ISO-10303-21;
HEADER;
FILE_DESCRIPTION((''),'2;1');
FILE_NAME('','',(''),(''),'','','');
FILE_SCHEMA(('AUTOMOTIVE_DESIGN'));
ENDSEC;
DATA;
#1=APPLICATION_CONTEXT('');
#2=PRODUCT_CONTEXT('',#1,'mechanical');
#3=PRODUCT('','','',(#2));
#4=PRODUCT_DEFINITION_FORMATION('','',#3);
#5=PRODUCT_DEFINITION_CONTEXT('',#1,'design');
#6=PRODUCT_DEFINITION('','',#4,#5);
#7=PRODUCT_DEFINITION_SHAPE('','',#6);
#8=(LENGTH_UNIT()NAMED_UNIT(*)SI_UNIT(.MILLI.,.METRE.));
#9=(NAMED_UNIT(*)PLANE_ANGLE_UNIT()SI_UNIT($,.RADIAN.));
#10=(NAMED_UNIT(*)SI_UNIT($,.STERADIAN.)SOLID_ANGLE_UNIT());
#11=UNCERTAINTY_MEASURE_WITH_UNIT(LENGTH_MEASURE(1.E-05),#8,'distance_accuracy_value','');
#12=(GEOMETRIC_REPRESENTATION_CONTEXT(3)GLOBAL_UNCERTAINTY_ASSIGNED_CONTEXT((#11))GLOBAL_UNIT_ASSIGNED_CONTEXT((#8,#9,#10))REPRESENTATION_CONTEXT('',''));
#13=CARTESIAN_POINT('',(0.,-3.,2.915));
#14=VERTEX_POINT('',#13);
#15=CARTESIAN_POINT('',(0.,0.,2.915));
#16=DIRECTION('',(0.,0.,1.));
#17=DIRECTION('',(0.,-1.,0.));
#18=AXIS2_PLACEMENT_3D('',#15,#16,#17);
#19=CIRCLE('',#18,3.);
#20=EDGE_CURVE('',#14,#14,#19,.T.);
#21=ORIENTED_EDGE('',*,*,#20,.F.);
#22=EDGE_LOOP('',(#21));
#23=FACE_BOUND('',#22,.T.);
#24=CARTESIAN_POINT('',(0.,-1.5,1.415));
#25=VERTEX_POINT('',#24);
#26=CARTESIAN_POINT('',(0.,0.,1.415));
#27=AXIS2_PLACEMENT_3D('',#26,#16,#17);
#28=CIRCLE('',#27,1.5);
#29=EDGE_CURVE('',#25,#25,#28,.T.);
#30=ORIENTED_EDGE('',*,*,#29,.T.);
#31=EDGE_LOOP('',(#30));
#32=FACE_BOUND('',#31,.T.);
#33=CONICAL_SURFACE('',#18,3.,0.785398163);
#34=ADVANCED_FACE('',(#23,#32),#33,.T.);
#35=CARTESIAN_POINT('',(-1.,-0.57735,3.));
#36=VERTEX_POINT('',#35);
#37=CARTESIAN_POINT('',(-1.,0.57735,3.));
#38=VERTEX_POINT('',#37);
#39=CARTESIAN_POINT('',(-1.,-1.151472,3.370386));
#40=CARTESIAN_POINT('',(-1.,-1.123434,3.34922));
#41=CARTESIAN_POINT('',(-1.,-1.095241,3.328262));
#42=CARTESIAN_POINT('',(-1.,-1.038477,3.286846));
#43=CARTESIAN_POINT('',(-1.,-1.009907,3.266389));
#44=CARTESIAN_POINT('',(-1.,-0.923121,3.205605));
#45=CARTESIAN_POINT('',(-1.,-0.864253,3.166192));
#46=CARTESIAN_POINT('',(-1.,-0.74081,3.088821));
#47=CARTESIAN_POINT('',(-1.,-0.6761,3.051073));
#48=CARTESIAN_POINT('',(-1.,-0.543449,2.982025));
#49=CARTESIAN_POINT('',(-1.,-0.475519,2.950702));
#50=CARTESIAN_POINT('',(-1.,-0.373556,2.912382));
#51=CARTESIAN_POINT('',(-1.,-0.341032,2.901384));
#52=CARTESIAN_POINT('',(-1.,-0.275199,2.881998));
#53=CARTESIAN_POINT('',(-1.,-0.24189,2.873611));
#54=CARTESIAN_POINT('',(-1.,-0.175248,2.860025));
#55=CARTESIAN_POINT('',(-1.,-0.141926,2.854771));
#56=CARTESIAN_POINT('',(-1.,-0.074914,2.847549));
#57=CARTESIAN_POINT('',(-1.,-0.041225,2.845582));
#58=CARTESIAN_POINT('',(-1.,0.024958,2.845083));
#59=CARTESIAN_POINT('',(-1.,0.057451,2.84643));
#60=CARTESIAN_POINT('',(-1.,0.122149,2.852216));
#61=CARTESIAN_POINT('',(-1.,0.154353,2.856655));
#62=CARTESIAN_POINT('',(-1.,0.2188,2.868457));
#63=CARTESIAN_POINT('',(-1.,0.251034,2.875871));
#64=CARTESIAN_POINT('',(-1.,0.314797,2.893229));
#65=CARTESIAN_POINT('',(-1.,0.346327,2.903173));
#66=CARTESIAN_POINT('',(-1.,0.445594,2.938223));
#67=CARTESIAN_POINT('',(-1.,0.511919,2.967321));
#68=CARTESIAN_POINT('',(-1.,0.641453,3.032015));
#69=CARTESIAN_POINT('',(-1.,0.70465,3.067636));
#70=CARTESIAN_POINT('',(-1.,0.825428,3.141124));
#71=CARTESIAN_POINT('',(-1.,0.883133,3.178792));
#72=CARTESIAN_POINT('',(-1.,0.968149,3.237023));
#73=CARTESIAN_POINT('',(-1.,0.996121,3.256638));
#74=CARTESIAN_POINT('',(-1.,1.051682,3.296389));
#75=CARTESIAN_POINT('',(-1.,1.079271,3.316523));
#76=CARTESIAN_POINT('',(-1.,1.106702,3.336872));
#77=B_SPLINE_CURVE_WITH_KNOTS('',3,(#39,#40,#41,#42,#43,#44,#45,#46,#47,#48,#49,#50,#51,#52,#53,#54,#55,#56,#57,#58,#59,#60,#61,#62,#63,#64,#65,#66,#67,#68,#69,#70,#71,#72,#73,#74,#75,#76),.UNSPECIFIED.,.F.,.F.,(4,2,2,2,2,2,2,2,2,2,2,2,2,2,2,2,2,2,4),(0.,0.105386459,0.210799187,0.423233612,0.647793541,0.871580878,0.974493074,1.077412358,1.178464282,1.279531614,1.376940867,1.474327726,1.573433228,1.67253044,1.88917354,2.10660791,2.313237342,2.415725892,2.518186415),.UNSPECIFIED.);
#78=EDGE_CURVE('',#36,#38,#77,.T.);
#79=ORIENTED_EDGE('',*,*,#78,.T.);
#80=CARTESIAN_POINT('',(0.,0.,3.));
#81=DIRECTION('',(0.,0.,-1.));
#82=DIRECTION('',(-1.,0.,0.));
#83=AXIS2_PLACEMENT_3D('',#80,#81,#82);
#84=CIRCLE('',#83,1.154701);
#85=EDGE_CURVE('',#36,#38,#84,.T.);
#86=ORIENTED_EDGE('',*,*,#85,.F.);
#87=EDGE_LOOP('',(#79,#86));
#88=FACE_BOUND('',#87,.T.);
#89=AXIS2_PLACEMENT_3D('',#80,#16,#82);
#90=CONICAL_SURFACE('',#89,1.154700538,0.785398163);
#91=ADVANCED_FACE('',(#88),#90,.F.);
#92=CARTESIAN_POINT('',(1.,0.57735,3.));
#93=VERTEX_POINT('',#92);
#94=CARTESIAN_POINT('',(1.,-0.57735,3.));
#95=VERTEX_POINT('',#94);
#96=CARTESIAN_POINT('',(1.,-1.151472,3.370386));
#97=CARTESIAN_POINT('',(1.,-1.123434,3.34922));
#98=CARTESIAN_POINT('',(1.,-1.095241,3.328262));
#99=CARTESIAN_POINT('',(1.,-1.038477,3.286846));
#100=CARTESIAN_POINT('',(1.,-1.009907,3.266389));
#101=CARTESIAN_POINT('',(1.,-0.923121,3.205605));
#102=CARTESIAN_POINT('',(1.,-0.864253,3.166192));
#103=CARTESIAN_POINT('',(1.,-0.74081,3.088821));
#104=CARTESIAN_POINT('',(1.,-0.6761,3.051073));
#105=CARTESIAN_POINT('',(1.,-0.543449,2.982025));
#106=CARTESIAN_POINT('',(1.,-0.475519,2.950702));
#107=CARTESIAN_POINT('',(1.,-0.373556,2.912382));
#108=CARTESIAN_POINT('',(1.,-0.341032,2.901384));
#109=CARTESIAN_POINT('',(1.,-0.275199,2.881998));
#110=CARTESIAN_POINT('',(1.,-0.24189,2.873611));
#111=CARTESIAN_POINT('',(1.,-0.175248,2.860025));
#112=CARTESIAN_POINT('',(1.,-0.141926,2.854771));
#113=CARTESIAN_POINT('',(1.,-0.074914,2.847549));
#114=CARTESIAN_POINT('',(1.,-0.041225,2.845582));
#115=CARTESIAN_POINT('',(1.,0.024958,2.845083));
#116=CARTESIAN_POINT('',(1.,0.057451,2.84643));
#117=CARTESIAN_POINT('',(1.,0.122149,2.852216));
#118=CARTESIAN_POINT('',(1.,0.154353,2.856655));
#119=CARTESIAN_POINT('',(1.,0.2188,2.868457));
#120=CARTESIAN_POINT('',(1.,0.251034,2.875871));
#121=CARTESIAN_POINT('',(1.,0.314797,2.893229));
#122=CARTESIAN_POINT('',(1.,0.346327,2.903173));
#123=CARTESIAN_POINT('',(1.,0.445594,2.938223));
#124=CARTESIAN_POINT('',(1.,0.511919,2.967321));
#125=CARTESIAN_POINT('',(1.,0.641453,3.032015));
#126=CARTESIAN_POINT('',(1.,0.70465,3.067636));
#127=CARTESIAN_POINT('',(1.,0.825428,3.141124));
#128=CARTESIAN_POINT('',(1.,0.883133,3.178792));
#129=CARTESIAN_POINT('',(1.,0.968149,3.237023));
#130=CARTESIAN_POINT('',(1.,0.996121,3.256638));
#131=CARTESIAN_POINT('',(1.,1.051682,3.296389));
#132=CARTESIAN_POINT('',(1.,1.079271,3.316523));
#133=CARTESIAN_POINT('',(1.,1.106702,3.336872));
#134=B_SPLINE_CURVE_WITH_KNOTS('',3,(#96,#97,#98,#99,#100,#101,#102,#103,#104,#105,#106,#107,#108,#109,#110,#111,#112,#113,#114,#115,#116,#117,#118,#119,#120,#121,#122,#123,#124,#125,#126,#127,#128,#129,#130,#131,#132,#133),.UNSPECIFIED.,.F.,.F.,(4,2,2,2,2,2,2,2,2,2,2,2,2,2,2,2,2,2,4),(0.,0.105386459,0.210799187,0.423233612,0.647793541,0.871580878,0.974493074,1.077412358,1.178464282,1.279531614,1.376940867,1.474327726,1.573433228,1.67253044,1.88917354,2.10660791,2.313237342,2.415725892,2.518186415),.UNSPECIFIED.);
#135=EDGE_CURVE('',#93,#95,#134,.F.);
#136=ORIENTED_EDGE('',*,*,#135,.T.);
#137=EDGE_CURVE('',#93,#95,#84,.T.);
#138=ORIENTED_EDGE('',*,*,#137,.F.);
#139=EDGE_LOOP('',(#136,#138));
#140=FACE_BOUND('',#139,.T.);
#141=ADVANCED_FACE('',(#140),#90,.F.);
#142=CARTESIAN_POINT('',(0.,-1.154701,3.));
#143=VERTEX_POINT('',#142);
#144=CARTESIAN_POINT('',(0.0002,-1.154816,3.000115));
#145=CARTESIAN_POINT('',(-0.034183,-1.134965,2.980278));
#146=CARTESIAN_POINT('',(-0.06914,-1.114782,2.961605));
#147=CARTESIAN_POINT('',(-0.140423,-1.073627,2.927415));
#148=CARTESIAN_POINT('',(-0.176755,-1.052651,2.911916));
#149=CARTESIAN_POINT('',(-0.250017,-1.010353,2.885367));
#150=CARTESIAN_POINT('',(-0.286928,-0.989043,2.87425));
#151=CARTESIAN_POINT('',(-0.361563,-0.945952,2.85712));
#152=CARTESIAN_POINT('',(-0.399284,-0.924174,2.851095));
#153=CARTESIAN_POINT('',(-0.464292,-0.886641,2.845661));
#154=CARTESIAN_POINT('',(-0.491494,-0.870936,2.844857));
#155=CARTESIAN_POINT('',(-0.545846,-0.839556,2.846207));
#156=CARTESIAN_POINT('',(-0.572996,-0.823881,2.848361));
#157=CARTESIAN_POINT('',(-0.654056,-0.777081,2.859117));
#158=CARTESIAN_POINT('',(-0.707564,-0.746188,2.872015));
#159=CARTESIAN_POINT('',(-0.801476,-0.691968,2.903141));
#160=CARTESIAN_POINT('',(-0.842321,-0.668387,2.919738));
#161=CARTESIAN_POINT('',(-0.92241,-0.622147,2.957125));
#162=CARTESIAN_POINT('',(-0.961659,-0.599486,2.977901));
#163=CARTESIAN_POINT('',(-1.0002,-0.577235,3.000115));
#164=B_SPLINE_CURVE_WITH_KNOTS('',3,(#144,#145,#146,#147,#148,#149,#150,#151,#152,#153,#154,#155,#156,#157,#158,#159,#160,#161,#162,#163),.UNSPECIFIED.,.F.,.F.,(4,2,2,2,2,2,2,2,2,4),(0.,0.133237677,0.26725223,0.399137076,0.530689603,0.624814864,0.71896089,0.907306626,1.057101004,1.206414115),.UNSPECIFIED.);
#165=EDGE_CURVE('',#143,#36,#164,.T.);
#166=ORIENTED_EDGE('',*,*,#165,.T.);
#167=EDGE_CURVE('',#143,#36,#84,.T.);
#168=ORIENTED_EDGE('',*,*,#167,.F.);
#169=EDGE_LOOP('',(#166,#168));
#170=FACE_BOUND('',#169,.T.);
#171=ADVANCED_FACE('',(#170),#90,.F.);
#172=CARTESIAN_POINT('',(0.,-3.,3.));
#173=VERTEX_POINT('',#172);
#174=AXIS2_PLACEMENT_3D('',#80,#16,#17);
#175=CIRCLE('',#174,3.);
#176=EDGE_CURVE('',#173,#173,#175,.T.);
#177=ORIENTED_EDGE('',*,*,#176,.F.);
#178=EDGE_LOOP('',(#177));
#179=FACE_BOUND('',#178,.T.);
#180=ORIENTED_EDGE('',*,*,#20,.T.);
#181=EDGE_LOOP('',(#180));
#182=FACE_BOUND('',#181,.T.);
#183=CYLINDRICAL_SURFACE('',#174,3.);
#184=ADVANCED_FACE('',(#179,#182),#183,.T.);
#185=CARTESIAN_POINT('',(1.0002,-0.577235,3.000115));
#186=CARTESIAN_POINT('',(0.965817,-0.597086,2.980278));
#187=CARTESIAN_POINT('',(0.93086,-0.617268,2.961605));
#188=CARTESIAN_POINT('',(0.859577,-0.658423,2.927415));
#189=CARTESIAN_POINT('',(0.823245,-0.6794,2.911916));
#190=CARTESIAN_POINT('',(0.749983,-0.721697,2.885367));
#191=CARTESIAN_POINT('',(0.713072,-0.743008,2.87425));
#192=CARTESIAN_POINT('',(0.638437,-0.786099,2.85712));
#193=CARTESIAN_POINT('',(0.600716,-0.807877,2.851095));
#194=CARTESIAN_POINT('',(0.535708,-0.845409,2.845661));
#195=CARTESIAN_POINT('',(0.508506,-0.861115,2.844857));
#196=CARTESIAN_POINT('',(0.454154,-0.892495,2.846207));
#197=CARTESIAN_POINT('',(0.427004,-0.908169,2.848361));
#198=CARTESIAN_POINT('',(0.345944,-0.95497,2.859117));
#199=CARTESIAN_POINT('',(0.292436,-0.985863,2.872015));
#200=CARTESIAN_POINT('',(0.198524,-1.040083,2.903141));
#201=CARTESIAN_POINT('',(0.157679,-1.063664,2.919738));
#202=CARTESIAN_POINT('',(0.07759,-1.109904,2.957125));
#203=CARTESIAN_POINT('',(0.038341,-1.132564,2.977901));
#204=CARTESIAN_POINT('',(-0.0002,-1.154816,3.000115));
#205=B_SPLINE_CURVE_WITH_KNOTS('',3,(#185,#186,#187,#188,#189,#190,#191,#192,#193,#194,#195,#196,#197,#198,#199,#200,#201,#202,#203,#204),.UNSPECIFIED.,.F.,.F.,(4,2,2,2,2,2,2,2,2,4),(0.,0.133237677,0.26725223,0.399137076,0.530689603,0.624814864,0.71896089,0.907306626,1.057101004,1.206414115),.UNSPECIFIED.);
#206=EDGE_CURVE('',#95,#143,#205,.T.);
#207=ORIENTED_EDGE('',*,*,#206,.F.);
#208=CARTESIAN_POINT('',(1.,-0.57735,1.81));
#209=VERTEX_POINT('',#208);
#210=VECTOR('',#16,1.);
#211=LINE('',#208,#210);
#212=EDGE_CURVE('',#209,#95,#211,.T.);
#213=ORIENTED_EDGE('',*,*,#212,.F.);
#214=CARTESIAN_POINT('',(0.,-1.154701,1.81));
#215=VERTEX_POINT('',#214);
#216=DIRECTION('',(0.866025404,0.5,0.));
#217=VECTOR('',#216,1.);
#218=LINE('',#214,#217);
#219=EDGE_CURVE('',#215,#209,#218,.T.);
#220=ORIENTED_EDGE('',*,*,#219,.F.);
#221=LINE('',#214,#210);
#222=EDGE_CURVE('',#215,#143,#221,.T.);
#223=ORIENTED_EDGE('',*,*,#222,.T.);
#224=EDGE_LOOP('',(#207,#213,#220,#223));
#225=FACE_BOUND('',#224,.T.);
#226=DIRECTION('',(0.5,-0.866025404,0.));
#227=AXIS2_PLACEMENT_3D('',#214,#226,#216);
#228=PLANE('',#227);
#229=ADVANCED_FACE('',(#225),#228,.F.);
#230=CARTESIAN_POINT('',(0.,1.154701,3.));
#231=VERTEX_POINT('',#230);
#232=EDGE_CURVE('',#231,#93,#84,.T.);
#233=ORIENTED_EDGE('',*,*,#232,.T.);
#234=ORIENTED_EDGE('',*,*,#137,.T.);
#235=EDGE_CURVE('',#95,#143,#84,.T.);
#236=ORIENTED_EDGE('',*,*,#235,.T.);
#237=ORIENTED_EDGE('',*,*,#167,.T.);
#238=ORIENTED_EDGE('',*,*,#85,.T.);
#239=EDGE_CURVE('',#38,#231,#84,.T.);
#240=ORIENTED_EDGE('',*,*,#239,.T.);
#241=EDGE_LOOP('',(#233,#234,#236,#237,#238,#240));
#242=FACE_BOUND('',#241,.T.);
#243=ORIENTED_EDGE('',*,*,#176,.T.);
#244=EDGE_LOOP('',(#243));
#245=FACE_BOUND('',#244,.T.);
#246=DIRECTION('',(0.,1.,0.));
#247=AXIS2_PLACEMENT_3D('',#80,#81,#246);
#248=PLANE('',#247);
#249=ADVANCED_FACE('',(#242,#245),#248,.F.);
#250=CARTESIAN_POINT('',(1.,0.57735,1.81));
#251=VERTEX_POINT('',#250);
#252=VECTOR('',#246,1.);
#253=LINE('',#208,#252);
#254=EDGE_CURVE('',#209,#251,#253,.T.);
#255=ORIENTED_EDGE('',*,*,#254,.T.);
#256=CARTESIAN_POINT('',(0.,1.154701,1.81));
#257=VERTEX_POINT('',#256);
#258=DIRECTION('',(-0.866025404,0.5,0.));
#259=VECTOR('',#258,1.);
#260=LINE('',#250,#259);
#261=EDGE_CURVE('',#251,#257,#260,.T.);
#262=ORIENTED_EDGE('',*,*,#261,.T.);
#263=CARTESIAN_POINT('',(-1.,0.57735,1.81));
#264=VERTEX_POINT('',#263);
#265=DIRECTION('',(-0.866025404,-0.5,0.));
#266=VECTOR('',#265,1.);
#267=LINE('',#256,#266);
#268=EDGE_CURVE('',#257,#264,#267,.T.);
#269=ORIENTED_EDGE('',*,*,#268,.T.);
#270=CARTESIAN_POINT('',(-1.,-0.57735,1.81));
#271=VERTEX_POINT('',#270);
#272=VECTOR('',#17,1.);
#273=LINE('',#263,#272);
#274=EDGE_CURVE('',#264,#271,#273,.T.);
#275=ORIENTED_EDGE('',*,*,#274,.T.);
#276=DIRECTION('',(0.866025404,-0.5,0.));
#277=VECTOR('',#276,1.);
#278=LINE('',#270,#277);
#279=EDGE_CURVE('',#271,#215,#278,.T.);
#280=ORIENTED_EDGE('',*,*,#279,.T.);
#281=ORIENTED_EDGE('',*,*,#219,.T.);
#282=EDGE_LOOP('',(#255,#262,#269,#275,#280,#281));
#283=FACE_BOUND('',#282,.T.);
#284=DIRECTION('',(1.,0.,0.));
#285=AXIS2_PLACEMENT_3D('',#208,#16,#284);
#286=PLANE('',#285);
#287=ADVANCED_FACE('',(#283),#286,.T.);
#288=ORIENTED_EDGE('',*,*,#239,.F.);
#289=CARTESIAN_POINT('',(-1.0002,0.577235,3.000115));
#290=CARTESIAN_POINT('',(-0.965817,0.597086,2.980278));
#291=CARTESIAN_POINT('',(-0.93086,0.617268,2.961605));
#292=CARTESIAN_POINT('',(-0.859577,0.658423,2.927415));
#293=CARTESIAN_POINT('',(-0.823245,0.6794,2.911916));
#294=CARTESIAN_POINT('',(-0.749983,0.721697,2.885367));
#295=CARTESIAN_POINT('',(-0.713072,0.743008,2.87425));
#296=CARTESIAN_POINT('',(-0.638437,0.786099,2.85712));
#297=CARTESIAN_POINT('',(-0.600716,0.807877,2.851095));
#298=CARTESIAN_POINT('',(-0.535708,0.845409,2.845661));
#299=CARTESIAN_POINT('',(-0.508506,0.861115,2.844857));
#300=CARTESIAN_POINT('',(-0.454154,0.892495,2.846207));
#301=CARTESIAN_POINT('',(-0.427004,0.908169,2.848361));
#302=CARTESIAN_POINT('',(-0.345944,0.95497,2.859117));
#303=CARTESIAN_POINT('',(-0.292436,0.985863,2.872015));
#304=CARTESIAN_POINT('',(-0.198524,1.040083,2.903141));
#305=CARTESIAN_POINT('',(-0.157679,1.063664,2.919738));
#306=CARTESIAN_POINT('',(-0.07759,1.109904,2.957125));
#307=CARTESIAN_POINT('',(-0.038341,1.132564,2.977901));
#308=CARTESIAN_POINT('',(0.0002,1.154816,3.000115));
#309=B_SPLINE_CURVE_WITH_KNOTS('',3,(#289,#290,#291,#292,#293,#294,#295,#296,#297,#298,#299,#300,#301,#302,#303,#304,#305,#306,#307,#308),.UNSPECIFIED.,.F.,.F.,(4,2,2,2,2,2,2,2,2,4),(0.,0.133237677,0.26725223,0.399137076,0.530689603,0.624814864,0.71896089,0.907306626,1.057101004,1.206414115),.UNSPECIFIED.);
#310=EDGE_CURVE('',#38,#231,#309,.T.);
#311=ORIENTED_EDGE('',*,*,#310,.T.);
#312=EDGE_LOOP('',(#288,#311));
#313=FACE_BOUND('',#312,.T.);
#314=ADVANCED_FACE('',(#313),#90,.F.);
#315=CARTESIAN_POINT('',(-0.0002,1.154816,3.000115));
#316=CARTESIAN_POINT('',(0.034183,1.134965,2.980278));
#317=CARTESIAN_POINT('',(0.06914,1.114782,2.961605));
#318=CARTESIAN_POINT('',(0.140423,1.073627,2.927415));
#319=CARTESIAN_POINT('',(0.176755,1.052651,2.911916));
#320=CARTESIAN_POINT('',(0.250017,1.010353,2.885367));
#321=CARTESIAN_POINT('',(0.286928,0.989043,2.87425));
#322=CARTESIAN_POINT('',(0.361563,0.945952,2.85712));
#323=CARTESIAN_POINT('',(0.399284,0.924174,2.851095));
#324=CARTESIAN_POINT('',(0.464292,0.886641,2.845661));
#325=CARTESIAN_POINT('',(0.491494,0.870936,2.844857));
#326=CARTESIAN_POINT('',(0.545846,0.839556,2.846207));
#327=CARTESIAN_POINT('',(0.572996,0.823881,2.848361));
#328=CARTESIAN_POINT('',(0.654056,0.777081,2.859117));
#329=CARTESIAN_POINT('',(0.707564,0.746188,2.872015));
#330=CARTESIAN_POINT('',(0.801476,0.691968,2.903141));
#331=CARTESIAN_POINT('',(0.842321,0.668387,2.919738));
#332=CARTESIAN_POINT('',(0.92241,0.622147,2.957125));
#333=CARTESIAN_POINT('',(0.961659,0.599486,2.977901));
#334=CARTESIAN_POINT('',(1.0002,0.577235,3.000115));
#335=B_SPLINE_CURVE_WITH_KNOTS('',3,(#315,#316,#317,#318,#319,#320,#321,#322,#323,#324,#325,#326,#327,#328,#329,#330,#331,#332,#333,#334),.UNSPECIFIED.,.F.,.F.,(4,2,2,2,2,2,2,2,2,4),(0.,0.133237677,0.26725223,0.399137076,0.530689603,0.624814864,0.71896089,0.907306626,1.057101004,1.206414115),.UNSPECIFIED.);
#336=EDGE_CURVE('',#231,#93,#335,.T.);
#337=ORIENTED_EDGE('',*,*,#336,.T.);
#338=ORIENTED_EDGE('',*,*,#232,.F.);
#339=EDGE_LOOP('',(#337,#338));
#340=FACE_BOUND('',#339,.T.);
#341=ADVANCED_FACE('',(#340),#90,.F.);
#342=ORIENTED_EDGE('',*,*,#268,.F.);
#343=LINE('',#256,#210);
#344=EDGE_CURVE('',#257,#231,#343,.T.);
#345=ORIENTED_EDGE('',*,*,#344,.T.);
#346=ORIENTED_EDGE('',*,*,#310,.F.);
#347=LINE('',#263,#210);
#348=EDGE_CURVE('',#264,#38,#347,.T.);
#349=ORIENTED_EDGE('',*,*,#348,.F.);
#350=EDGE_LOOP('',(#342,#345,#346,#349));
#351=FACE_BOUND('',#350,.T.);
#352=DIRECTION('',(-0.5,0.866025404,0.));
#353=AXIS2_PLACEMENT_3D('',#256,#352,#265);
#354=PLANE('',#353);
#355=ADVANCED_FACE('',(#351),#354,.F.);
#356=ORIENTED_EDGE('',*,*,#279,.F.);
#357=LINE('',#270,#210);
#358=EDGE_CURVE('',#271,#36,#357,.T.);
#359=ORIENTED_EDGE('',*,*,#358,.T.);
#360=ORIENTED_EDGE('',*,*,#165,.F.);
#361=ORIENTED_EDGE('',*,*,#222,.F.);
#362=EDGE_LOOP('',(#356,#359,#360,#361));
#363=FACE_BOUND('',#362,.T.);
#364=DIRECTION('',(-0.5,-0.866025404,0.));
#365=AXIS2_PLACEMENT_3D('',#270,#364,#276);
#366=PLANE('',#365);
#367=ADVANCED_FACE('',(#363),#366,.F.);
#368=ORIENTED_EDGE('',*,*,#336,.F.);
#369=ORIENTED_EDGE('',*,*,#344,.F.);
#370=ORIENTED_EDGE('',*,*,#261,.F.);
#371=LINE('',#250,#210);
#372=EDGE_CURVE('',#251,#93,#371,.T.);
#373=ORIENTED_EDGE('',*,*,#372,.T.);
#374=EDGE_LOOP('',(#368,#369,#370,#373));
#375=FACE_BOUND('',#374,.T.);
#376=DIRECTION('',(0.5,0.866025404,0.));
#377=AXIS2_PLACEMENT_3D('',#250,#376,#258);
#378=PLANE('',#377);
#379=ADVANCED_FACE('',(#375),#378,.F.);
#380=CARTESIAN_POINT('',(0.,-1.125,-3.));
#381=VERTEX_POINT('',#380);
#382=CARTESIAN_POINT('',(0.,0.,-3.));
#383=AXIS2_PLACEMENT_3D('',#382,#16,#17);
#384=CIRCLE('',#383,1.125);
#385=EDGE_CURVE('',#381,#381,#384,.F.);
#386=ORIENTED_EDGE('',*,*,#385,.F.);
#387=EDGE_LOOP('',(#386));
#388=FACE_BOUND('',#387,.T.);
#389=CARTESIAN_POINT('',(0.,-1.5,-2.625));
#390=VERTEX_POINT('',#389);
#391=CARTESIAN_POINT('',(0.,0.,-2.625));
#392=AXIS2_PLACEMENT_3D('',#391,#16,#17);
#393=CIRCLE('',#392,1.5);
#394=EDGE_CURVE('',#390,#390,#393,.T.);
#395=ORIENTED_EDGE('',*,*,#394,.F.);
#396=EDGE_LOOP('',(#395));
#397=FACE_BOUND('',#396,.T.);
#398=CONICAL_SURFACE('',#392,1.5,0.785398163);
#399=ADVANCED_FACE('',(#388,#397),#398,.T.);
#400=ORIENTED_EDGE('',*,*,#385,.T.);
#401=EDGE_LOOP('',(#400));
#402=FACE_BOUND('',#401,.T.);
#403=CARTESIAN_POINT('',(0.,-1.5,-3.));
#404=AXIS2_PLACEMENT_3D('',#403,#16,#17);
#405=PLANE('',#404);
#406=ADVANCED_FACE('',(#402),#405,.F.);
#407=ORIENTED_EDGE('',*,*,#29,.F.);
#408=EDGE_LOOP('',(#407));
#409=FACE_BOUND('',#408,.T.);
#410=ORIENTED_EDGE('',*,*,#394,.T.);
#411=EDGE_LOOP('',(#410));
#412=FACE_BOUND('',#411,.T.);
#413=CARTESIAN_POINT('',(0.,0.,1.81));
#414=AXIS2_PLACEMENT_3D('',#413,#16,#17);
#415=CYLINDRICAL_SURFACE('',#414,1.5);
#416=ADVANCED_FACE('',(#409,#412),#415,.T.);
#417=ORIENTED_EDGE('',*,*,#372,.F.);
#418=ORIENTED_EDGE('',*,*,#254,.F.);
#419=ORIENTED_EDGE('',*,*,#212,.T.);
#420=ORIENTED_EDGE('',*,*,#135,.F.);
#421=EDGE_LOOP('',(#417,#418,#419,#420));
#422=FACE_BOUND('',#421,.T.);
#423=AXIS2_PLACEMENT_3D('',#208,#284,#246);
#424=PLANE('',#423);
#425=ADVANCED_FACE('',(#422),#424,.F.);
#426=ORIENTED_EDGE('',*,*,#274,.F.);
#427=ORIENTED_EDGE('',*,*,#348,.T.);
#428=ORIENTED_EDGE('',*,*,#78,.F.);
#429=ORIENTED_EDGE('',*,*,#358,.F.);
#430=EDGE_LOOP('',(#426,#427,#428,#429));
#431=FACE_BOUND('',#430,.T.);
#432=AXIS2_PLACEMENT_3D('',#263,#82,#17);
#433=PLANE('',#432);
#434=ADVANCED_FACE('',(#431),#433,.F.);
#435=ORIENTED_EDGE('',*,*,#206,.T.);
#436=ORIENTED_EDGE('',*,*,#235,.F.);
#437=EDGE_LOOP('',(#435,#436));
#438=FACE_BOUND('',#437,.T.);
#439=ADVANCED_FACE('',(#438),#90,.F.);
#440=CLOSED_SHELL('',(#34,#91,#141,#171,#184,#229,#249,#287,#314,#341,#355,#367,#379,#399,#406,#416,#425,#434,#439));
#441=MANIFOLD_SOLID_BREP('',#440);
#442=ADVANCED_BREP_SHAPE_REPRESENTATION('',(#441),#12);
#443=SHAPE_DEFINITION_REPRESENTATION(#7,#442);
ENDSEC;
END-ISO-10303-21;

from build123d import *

# Parameters (mm, degrees)
CHAMFER1_SIZE      = 0.375
CUT_EXTRUDE2_DEPTH = 1.19


with BuildPart() as part:
    # Sketch1 → Revolve1 (revolve)
    with BuildSketch(Plane(origin=(0, 0, 0), x_dir=(0, 0, -1), z_dir=(1, 0, 0))):
        Polygon((-1.3, 1.5), (3, 1.5), (3, 0), (-1.81, 0), (-1.81, 1.5), align=None)
    revolve(axis=Axis((0, 0, 1.81), (0, 0, -1)))

    # Chamfer1
    chamfer1_edges = [part.edges().sort_by_distance(p)[0] for p in [
        (0, -1.5, -3),
    ]]
    chamfer(chamfer1_edges, length=CHAMFER1_SIZE)


with BuildPart() as body_2:
    # Sketch7 → Revolve2 (revolve)
    with BuildSketch(Plane(origin=(0, 0, 0), x_dir=(0, 0, -1), z_dir=(1, 0, 0))):
        Polygon((-2.915, 3), (-3, 3), (-3, 0), (-1.3, 0), (-1.3, 1.385), align=None)
    revolve(axis=Axis((0, 0, 3), (0, 0, -1)))

    # Sketch5 → Cut-Extrude2 (cut)
    with BuildSketch(Plane.XY.offset(3)):
        Polygon((1, -0.577350269), (1, 0.577350269), (0, 1.154700538), (-1, 0.577350269), (-1, -0.577350269), (0, -1.154700538), align=None)
    extrude(amount=-CUT_EXTRUDE2_DEPTH, mode=Mode.SUBTRACT)

    # Cut-Extrude3 cone 1 section (through the dimple's axis) → Cut-Extrude3 (revolve, cut)
    with BuildSketch(Plane(origin=(0, 0, 3), x_dir=(0, -1, 0), z_dir=(1, 0, 0))):
        Polygon((0, 0), (1.154700538, 0), (0, 1.154700538), align=None)
    revolve(axis=Axis((0, 0, 3), (0, 0, -1)), mode=Mode.SUBTRACT)

    # Combine1: union part
    add(part.part)


solid = body_2.part
